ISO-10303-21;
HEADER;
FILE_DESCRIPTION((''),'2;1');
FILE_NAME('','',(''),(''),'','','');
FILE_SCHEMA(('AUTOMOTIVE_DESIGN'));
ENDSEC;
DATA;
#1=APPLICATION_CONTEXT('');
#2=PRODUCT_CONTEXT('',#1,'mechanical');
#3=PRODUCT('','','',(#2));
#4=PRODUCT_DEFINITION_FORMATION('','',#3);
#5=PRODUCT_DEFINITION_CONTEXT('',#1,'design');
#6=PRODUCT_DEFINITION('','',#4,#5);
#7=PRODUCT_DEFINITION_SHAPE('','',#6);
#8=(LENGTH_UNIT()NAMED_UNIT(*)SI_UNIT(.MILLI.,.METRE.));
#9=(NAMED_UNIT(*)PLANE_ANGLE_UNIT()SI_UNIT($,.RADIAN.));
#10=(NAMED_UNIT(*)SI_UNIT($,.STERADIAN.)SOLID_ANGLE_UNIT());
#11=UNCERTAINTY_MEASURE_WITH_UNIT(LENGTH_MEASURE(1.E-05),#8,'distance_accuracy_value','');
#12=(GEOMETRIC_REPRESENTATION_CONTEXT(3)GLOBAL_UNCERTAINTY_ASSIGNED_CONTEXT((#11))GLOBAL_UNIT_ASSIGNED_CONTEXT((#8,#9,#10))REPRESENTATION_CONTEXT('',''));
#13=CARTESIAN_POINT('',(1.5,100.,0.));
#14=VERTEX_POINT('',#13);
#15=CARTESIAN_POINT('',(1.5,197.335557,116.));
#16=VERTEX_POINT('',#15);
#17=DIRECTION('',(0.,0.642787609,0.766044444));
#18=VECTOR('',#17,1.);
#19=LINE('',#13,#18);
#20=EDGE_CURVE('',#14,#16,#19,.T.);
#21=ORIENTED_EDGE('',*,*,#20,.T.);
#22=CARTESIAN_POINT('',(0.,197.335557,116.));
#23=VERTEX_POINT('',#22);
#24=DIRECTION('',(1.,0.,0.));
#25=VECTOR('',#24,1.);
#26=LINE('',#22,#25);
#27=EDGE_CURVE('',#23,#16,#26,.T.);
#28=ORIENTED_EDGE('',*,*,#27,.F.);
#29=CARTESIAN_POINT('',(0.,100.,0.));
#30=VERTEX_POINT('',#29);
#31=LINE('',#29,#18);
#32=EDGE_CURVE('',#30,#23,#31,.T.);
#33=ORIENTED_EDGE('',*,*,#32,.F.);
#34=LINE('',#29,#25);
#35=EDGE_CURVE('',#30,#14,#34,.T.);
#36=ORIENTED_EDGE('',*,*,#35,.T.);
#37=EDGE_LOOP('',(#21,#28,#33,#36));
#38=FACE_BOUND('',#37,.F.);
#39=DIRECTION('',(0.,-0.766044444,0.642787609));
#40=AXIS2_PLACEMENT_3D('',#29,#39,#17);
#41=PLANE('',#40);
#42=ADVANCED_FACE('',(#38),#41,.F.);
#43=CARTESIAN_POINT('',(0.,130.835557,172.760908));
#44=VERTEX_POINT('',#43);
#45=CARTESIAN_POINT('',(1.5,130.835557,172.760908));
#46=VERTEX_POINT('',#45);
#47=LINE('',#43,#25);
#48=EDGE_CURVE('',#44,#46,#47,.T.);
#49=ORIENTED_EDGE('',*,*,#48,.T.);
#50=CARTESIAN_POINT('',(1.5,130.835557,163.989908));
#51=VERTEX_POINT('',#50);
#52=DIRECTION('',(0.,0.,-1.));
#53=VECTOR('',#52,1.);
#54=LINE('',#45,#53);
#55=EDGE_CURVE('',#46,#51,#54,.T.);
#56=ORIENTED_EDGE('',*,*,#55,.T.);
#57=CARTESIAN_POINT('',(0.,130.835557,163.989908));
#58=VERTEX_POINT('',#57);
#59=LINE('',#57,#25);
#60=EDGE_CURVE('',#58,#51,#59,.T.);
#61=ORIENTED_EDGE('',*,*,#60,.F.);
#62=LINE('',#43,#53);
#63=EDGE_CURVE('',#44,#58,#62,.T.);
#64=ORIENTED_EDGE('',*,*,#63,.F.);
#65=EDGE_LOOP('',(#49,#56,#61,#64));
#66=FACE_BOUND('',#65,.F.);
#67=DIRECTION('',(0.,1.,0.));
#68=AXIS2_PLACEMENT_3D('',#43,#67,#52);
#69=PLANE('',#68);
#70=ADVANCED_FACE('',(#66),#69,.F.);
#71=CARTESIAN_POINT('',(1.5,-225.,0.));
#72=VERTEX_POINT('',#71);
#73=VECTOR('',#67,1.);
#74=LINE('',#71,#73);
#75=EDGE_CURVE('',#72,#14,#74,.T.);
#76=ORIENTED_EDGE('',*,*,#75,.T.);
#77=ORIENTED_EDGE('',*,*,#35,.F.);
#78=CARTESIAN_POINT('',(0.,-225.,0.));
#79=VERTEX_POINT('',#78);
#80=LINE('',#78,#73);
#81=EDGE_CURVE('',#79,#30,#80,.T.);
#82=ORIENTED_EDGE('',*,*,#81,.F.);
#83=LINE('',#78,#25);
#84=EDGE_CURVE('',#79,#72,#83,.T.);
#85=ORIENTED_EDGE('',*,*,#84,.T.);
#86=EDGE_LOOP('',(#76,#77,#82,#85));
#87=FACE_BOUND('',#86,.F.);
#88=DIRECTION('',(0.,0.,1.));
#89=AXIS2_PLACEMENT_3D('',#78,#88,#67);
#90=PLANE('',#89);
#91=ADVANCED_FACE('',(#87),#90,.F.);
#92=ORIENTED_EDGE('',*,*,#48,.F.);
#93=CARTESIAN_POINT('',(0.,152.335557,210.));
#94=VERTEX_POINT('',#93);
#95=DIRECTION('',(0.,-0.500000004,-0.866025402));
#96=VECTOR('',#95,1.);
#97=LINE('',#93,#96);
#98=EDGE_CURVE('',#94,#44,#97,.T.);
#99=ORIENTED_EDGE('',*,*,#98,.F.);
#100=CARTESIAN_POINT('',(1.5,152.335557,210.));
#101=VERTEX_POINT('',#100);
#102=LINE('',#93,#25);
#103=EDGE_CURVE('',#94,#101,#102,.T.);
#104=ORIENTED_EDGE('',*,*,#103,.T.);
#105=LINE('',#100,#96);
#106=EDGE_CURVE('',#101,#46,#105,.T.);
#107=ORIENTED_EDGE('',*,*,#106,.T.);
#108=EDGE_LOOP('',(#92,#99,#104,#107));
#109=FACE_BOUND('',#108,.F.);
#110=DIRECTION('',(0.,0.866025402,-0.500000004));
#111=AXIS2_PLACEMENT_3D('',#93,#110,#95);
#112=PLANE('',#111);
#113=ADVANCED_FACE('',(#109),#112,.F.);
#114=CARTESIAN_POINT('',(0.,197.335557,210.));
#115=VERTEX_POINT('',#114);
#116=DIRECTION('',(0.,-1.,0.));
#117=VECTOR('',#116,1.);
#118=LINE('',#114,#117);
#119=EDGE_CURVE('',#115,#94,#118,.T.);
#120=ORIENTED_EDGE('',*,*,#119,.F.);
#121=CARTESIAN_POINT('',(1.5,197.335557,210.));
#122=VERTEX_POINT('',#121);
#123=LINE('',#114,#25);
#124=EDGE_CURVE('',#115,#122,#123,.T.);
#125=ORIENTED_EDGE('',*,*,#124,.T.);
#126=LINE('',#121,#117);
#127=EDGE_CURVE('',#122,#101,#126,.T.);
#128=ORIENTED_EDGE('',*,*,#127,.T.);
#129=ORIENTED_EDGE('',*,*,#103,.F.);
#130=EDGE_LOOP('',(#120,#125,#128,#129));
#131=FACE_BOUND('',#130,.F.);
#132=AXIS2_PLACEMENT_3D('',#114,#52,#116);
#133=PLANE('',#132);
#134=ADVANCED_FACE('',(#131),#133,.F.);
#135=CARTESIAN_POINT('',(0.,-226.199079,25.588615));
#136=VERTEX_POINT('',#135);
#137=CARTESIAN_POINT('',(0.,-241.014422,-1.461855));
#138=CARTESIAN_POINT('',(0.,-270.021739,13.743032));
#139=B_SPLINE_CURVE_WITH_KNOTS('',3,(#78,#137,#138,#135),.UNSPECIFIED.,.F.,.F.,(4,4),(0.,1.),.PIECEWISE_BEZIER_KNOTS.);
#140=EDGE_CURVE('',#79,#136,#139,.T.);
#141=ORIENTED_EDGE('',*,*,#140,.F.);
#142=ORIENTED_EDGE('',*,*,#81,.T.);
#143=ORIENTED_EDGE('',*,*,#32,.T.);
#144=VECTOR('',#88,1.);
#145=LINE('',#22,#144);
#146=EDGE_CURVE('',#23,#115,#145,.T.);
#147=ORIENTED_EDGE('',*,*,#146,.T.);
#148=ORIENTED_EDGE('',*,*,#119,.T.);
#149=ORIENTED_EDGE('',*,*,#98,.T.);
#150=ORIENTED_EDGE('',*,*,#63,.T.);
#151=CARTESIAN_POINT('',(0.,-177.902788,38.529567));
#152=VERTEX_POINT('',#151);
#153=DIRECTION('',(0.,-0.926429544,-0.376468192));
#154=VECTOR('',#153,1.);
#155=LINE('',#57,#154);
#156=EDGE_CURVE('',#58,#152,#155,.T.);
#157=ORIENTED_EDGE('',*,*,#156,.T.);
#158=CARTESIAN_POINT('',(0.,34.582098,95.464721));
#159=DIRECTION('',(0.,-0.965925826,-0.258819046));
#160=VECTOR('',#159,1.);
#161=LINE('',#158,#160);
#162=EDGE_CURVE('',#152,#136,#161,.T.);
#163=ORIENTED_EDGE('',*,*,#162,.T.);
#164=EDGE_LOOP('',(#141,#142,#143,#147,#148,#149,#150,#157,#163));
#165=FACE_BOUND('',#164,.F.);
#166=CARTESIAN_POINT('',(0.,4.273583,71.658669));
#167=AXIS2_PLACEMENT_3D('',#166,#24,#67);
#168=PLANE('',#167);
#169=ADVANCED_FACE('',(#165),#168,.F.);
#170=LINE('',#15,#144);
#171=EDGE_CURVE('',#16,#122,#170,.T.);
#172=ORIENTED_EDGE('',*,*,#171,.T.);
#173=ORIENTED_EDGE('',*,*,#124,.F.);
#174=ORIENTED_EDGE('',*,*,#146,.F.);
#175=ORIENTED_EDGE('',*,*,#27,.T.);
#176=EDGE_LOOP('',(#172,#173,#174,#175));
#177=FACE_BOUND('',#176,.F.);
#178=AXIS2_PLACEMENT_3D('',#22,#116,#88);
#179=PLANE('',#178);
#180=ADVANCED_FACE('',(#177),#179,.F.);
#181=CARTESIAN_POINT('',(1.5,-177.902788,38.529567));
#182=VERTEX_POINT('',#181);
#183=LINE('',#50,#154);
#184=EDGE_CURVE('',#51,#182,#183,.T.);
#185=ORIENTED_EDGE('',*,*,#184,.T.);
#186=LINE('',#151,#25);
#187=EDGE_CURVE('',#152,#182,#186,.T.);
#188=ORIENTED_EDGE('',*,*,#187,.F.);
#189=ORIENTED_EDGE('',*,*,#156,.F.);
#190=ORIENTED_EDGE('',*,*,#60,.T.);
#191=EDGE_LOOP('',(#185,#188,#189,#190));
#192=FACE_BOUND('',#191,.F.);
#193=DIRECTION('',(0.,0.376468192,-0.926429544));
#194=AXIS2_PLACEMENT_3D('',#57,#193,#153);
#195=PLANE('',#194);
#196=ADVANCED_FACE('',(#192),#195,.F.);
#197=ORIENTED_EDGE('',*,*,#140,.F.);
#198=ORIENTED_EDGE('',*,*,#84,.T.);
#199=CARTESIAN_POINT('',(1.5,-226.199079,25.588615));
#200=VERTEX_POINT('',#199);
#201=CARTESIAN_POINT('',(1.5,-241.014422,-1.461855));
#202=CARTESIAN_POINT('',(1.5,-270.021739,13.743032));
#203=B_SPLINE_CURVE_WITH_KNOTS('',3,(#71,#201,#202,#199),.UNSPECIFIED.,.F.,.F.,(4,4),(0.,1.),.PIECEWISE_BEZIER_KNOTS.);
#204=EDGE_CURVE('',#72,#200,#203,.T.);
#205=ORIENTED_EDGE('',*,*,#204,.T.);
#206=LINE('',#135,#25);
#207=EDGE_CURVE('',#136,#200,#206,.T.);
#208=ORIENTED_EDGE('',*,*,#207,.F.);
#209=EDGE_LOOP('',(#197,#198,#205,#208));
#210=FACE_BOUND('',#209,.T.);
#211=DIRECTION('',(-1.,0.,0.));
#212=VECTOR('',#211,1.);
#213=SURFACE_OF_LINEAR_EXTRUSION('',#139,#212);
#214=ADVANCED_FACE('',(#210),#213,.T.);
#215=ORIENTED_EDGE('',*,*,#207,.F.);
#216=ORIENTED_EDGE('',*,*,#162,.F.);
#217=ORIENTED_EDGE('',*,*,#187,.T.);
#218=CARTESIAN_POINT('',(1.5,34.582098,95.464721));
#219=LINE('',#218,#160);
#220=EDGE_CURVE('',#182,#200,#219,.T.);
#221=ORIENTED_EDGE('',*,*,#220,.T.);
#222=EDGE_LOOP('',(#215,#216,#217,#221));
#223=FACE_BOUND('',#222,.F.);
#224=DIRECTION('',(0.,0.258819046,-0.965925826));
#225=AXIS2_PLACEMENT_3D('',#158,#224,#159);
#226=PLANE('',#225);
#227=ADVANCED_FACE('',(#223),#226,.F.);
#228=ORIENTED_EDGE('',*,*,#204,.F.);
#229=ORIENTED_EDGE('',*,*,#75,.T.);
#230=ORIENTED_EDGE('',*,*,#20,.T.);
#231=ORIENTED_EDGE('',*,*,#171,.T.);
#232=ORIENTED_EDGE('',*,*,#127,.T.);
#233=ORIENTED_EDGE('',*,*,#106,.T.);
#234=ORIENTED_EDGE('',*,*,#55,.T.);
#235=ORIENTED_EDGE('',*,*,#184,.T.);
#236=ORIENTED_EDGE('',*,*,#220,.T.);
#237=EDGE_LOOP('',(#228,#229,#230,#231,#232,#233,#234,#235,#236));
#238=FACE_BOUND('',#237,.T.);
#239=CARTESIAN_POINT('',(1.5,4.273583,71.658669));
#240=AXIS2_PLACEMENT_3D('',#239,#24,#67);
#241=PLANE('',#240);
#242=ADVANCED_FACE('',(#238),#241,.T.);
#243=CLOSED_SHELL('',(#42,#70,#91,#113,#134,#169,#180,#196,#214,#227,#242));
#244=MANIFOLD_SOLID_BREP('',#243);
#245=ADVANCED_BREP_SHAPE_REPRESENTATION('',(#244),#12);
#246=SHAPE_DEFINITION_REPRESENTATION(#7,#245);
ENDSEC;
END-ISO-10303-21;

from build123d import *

# Parameters (mm, degrees)
PAD_DEPTH    = 1.5
PAD002_DEPTH = 1.5


with BuildPart() as part:
    # Sketch → Pad (new body)
    with BuildSketch(Plane.YZ):
        with BuildLine():
            Line((130.835557, 163.892767), (34.582098, 103.74693))
            Line((34.582098, 103.74693), (34.582098, 95.464721))
            Line((34.582098, 95.464721), (-226.199079, 25.588615))
            add(Edge.make_bspline(
                [(-225, 0), (-241.014422, -1.461855), (-270.021739, 13.743032), (-226.199079, 25.588615)],
                knots=[0, 0, 0, 0, 1, 1, 1, 1], degree=3))
            Line((-225, 0), (100, 0))
            Line((100, 0), (197.335557, 116))
            Line((197.335557, 116), (197.335557, 210))
            Line((197.335557, 210), (152.335557, 210))
            Line((152.335557, 210), (130.835557, 172.760908))
            Line((130.835557, 172.760908), (130.835557, 163.892767))
        make_face()
    extrude(amount=PAD_DEPTH)

    # CopySketch003 → Pad002 (join)
    with BuildSketch(Plane.YZ):
        with BuildLine():
            Line((130.835557, 163.989908), (-177.902788, 38.529567))
            Line((-177.902788, 38.529567), (-226.199079, 25.588615))
            add(Edge.make_bspline(
                [(-225, 0), (-241.014422, -1.461855), (-270.021739, 13.743032), (-226.199079, 25.588615)],
                knots=[0, 0, 0, 0, 1, 1, 1, 1], degree=3))
            Line((-225, 0), (100, 0))
            Line((100, 0), (197.335557, 116))
            Line((197.335557, 116), (197.335557, 210))
            Line((197.335557, 210), (152.335557, 210))
            Line((152.335557, 210), (130.835557, 172.760908))
            Line((130.835557, 172.760908), (130.835557, 163.989908))
        make_face()
    extrude(amount=PAD002_DEPTH)


solid = part.part
